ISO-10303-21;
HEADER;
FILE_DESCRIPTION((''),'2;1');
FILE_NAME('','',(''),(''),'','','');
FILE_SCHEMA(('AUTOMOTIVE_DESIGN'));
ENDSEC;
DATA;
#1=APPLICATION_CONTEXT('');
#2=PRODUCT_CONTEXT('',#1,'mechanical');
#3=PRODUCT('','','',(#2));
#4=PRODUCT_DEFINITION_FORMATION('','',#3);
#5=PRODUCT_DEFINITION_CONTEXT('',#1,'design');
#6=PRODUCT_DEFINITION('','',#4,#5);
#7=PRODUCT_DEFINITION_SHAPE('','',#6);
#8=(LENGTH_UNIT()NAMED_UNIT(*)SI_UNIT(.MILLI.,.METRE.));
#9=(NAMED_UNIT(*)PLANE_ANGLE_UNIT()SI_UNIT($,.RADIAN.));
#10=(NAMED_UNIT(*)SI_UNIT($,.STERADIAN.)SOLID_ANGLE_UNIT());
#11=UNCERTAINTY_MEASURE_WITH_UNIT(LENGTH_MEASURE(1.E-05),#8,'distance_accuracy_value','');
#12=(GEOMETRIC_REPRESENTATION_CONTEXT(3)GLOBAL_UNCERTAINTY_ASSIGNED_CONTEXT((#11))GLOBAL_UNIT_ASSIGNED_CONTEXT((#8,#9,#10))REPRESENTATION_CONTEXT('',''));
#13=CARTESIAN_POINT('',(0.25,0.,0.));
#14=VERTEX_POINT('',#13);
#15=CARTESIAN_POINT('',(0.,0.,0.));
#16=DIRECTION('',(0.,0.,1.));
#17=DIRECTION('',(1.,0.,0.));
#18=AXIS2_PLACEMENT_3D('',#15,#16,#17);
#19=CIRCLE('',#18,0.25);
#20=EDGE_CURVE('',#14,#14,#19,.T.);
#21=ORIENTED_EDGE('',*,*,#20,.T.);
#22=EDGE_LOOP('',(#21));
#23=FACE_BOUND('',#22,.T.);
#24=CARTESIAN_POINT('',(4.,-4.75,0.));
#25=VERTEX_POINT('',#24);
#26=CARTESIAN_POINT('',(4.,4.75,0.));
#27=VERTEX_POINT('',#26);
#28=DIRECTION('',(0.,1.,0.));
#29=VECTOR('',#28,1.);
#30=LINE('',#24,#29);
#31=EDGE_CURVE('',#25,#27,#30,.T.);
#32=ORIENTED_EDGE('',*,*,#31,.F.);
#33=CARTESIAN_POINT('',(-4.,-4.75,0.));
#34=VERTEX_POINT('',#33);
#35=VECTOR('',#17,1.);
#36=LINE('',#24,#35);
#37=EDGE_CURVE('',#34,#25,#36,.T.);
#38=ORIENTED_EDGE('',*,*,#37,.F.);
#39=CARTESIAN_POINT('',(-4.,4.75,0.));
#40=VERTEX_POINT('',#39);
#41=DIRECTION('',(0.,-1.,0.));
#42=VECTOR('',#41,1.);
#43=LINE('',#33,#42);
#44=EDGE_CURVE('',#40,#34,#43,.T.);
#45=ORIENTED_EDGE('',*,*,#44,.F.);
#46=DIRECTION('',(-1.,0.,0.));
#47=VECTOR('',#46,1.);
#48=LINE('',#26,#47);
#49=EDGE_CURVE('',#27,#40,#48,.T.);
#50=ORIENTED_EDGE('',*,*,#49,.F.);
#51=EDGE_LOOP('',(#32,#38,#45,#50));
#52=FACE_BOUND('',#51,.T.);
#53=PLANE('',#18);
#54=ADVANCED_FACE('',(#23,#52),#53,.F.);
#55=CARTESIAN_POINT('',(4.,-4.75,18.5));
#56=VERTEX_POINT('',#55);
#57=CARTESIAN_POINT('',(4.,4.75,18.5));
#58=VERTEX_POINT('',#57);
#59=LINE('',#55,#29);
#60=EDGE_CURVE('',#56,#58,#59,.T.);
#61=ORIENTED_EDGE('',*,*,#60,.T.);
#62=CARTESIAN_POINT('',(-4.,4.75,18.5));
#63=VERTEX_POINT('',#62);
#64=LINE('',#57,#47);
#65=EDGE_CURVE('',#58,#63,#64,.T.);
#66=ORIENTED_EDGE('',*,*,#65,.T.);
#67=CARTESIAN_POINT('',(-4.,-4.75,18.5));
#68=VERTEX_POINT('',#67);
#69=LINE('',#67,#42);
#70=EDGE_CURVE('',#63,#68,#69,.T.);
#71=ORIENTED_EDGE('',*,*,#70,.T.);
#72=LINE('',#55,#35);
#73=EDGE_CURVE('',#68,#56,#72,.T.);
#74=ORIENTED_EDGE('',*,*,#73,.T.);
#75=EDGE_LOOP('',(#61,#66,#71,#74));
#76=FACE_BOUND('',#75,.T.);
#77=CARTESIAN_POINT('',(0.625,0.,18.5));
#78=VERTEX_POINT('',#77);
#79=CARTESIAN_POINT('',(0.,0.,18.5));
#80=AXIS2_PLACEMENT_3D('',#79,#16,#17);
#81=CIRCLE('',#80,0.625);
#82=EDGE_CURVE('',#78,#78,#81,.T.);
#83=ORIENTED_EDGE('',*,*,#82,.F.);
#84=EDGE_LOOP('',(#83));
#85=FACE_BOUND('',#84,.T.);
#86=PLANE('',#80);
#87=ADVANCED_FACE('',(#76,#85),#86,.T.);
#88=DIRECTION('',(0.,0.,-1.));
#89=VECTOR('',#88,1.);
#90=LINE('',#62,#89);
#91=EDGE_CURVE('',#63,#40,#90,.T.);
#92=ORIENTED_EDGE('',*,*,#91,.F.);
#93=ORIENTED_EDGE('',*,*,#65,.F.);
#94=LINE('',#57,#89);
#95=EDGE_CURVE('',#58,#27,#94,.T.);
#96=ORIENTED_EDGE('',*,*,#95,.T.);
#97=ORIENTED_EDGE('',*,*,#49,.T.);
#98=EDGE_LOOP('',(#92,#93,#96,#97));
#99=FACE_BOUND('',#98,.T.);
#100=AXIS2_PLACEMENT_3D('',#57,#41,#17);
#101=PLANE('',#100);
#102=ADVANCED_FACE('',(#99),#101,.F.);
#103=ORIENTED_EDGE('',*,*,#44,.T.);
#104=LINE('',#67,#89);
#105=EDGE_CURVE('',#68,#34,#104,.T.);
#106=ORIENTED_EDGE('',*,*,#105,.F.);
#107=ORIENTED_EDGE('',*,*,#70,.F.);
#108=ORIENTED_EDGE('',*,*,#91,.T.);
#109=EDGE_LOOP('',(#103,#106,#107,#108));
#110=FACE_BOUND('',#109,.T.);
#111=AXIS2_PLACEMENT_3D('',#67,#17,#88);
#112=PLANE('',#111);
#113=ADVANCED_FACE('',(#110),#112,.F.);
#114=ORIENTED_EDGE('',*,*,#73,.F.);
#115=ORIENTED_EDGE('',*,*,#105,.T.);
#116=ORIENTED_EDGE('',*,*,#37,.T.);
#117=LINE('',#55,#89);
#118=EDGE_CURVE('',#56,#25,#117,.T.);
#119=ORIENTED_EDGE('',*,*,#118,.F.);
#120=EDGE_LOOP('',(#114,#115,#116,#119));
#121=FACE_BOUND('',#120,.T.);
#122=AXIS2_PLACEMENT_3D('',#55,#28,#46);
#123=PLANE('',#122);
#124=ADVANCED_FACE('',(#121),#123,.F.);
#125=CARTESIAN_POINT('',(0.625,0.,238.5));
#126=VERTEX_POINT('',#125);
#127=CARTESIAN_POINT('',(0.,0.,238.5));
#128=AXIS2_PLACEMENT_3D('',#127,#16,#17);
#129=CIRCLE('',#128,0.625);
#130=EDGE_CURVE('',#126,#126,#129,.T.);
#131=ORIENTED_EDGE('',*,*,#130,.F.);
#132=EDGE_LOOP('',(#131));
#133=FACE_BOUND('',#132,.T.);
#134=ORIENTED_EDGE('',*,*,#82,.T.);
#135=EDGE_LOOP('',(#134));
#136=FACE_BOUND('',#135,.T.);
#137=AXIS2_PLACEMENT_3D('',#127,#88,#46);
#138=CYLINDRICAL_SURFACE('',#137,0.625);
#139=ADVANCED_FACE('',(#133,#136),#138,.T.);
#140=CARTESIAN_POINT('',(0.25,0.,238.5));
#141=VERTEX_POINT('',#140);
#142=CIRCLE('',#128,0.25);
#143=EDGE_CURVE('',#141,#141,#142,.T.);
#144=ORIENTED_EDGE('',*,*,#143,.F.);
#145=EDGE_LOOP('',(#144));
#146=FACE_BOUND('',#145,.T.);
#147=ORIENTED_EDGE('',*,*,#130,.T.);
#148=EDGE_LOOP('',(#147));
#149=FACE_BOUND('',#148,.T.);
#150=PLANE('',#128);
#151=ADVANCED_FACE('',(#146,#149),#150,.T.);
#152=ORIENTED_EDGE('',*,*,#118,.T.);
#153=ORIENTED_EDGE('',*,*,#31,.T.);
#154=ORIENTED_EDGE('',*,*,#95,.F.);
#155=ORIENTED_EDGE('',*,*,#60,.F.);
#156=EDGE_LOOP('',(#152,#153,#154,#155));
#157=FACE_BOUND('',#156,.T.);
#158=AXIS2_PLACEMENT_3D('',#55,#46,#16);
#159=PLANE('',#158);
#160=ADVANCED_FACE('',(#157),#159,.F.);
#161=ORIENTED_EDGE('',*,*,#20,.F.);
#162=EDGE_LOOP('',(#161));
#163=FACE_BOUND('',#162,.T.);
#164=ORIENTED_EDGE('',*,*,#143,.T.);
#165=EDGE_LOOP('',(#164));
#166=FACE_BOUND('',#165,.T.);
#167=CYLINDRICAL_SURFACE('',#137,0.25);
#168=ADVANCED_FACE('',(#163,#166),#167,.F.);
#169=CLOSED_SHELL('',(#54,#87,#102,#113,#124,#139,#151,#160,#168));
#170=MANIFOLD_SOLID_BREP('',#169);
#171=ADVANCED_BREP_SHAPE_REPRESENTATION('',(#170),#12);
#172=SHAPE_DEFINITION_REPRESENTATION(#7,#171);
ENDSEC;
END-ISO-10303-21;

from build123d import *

# Parameters (mm, degrees)
ESBO_O1_W                = 8
ESBO_O1_H                = 9.5
RESSALTO_EXTRUS_O1_DEPTH = 18.5
ESBO_O2_R                = 0.625
ESBO_O2_R_2              = 0.25
RESSALTO_EXTRUS_O2_DEPTH = 220
CORTE_EXTRUS_O1_START    = -230
ESBO_O2_3_R              = 0.25
CORTE_EXTRUS_O1_DEPTH    = 230


with BuildPart() as part:
    # Esboço1 → Ressalto-extrusão1 (new body)
    with BuildSketch(Plane.XY):
        Rectangle(ESBO_O1_W, ESBO_O1_H)
    extrude(amount=RESSALTO_EXTRUS_O1_DEPTH)

    # Esboço2 → Ressalto-extrusão2 (add)
    with BuildSketch(Plane.XY.offset(18.5)):
        Circle(ESBO_O2_R)
        Circle(ESBO_O2_R_2, mode=Mode.SUBTRACT)
    extrude(amount=RESSALTO_EXTRUS_O2_DEPTH)

    # Esboço2<3> → Corte-extrusão1 (cut)
    with BuildSketch(Plane.XY.offset(18.5).offset(CORTE_EXTRUS_O1_START)):
        Circle(ESBO_O2_3_R)
    extrude(amount=CORTE_EXTRUS_O1_DEPTH, mode=Mode.SUBTRACT)


solid = part.part
